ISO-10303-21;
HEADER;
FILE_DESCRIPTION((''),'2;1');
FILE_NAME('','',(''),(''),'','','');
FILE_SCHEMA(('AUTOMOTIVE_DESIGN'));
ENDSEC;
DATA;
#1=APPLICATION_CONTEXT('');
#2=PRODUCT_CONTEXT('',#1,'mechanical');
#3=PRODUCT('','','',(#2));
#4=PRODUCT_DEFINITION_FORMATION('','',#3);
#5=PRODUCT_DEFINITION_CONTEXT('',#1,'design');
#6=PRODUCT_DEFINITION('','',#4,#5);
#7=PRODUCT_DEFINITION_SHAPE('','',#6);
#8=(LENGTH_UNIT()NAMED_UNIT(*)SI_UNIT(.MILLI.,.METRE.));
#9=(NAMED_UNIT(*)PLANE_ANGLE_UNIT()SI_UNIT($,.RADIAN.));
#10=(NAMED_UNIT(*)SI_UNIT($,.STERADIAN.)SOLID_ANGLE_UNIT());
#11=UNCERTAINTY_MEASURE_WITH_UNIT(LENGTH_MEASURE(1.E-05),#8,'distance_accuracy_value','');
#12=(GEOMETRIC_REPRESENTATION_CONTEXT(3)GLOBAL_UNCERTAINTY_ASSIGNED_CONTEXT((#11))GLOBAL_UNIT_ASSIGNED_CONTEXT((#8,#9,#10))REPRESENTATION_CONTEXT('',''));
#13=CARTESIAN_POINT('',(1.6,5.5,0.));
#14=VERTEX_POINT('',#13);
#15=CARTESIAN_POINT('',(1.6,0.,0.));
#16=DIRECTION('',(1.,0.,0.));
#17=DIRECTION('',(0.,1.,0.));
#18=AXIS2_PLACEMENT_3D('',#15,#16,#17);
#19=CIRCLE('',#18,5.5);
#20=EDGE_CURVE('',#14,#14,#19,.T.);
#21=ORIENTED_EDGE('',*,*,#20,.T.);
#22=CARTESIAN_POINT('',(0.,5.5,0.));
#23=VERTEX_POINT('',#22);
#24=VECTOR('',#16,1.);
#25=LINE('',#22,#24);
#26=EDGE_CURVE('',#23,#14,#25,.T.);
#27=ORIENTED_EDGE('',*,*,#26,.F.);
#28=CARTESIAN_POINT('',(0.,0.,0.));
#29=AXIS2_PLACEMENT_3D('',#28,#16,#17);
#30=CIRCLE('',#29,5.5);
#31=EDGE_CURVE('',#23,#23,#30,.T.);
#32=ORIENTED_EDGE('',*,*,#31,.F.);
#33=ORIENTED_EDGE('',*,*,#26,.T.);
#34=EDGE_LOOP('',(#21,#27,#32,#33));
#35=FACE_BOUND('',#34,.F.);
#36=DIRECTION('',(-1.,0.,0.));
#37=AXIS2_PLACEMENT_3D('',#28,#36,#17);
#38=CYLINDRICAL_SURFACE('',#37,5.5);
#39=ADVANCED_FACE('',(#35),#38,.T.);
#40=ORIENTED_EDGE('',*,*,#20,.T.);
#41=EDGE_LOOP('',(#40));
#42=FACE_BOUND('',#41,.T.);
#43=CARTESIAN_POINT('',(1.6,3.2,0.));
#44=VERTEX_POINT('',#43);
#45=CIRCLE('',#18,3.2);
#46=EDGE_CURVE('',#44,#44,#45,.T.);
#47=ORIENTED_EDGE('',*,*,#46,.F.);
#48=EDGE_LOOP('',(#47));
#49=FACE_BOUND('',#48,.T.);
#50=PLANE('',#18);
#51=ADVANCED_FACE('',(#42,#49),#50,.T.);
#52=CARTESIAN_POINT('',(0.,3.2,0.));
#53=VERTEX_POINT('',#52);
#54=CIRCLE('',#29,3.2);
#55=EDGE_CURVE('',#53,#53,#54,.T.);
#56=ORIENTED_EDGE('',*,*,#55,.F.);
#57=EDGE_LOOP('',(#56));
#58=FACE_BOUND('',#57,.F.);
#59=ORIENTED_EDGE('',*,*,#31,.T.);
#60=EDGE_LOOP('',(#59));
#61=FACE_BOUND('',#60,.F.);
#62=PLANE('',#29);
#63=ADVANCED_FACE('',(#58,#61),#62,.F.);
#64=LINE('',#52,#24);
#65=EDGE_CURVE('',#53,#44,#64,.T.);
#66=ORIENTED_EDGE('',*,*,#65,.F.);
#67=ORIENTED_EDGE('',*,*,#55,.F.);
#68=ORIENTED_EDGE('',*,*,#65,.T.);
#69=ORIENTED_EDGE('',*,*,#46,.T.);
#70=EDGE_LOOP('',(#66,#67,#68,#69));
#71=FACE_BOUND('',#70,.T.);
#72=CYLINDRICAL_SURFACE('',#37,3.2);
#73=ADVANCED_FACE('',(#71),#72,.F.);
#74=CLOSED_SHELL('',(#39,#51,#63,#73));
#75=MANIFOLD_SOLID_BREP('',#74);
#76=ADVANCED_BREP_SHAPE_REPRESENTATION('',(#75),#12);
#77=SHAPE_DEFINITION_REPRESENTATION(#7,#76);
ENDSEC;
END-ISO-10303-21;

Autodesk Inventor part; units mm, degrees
ref_plane "YZ Plane" through (0, 0, 0) normal (1, 0, 0) x (0, 1, 0)
ref_plane "XZ Plane" through (0, 0, 0) normal (0, 1, 0) x (-1, 0, 0)
sketch "Skizze" plane through (0, 0, 0) normal (1, 0, 0) x (0, 1, 0)
  circle A0 centre (0, 0) radius 5.5
  circle A1 centre (0, 0) radius 3.2
  dimension "d0" = 6.4
  dimension "d1" = 11
extrude "Körper" add sketch "Skizze" along normal blind 1.6
ref_plane "Work Plane1" through (0, 0, 0) normal (0, 0, 1) x (1, 0, 0)
equation "\"d0\" = SD1"
equation "\"d1\" = SD2"
equation "\"d2\" = SD"
equation "\"SD1\" = 6.4"
equation "\"SD2\" = 11"
equation "\"SD\" = 1.6"
equation "\"NND\" = 6"
properties part number "ISO 7092 - ST 6 - 140 HV" material "Edelstahl"
